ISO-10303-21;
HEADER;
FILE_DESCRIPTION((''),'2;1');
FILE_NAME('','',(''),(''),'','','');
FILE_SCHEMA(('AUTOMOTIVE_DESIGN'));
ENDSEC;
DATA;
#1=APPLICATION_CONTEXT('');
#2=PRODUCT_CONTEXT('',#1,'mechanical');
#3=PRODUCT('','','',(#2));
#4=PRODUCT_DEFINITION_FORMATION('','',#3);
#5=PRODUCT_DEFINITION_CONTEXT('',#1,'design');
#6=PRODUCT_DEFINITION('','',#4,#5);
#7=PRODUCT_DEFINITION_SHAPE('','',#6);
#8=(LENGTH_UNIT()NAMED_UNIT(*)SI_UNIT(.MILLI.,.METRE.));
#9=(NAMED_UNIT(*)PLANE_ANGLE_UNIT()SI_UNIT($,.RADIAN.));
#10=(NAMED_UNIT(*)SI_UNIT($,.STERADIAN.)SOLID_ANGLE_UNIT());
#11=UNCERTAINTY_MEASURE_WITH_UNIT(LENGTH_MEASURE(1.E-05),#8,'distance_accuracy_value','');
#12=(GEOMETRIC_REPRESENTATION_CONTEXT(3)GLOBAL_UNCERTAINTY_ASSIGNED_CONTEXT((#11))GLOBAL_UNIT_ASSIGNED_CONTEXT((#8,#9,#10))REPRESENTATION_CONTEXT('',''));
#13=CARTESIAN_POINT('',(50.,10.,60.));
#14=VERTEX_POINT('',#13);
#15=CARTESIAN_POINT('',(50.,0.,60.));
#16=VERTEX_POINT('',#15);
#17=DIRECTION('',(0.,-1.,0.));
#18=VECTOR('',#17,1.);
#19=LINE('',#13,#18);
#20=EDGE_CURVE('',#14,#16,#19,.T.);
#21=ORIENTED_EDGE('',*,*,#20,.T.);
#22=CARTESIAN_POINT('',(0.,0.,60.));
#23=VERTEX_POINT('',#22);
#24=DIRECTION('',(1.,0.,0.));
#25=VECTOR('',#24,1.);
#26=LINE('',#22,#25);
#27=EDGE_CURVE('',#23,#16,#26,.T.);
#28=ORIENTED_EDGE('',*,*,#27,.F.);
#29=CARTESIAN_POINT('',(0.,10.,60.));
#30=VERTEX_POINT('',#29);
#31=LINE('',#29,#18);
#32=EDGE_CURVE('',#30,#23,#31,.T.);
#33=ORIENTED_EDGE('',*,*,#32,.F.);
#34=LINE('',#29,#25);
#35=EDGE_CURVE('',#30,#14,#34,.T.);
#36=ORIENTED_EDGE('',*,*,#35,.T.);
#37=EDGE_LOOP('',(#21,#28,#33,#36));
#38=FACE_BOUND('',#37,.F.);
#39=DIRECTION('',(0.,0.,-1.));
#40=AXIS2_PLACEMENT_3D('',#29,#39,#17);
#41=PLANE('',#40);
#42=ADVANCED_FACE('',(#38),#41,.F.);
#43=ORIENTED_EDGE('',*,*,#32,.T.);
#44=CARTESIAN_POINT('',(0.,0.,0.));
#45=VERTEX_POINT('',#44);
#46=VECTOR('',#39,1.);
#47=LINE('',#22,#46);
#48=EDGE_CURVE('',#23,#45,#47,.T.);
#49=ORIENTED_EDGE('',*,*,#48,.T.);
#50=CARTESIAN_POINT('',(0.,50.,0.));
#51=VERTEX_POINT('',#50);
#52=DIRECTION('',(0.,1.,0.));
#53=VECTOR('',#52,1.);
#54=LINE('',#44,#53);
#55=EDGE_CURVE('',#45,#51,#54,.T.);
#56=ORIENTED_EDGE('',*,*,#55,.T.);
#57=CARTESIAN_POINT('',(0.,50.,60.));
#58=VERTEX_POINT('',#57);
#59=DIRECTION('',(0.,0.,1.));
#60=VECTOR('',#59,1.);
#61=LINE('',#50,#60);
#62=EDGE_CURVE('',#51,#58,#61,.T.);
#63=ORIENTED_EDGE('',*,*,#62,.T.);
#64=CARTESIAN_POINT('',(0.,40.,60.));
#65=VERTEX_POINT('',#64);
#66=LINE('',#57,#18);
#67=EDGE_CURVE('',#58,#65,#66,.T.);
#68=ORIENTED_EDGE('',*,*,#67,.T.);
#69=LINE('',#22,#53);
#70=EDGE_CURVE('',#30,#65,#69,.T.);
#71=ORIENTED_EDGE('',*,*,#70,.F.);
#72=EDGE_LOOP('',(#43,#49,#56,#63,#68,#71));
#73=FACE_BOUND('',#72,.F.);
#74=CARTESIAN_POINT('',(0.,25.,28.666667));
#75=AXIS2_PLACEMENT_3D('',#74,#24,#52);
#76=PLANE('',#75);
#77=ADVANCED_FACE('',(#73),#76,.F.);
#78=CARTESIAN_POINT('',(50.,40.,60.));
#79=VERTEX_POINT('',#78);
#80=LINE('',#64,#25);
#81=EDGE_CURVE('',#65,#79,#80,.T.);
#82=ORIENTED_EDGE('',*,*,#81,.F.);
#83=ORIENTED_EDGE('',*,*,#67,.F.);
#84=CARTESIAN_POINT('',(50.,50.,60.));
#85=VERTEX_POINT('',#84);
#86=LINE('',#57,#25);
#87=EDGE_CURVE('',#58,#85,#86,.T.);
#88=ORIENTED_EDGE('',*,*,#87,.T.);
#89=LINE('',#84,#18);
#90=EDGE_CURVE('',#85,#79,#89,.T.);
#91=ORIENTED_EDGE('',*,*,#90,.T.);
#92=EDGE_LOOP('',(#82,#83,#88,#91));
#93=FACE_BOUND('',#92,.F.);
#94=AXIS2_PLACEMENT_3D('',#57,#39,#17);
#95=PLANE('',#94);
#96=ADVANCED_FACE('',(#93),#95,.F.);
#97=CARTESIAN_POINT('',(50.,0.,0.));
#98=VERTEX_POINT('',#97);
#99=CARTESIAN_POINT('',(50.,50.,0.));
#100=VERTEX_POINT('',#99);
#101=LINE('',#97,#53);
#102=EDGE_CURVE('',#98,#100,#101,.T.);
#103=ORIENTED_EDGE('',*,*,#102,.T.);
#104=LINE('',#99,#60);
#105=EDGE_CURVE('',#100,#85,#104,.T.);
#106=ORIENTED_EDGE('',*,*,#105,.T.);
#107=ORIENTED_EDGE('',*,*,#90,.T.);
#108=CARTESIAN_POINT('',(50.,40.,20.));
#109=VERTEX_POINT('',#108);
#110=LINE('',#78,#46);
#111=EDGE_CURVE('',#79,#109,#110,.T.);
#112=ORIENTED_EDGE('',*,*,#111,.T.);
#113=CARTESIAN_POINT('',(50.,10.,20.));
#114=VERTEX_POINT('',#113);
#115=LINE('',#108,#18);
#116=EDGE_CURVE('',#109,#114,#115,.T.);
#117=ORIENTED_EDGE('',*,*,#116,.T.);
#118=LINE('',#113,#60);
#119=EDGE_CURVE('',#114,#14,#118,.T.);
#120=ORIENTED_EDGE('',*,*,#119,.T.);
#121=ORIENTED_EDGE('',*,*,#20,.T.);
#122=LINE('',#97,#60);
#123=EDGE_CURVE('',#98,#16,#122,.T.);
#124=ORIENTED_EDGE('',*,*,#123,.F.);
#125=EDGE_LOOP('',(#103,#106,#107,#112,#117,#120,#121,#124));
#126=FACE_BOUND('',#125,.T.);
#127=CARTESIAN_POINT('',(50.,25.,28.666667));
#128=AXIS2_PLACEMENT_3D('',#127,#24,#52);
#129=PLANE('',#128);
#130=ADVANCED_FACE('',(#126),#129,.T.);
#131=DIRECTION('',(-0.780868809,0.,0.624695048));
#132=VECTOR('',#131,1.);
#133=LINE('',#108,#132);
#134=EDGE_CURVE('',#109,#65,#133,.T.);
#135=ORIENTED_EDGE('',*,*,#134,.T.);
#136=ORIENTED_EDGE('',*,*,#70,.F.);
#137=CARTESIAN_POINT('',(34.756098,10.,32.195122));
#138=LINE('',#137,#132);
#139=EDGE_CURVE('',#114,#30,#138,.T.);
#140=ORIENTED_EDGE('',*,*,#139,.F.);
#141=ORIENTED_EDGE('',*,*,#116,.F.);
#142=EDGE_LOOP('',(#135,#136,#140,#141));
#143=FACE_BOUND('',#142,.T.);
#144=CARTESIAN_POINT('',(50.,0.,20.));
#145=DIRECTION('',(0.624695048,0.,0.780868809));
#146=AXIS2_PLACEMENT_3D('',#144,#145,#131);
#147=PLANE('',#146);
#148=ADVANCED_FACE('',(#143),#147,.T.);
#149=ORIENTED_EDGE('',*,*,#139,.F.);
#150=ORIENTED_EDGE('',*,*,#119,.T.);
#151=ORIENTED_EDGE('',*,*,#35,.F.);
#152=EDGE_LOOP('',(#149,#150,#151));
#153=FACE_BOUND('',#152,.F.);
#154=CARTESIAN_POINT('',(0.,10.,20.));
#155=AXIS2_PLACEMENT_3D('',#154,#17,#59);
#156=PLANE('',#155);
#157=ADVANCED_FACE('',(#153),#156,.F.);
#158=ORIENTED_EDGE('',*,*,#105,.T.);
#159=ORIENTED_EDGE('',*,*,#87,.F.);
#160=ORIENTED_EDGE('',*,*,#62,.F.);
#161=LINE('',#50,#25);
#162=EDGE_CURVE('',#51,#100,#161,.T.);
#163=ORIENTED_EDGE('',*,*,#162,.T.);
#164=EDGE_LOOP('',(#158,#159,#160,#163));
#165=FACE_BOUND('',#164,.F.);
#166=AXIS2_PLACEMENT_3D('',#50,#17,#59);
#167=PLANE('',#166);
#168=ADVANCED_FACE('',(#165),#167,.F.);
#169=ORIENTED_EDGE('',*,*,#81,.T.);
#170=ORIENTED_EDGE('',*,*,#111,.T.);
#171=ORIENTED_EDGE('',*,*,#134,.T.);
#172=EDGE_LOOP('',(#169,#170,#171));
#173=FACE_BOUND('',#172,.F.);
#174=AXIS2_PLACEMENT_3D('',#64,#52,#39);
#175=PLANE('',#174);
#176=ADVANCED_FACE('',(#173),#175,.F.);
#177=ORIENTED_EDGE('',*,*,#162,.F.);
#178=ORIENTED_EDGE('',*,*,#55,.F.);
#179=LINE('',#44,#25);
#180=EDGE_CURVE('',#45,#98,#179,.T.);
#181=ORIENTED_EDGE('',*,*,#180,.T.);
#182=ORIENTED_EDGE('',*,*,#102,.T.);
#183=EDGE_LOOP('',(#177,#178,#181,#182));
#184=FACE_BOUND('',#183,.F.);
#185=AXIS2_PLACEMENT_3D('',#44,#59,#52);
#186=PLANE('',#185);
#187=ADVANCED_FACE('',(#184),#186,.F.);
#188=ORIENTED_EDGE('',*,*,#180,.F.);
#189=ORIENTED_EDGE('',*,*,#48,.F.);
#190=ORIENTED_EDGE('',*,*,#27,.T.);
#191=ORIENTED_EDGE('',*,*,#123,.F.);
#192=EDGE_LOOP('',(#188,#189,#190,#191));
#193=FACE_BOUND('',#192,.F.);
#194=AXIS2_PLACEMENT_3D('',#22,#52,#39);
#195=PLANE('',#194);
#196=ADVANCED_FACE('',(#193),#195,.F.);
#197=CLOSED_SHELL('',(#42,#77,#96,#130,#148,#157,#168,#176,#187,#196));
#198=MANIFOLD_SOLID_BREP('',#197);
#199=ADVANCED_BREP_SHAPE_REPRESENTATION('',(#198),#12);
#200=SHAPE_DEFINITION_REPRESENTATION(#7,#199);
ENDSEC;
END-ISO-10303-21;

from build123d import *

# Parameters (mm, degrees)
F1_DEPTH = 50
F3_DEPTH = 40


with BuildPart() as f1:
    # F0 (on Right) → F1 (new body)
    with BuildSketch(Plane.YZ):
        Polygon((0, 60), (0, 0), (50, 0), (50, 60), (40, 60), (40, 20), (10, 20), (10, 60), align=None)
    extrude(amount=F1_DEPTH)

    # F2 (on face) → F3 (join)
    with BuildSketch(Plane.XZ):
        Polygon((50, 20), (0, 60), (0, 20), align=None)
    extrude(amount=-F3_DEPTH)


solid = f1.part
